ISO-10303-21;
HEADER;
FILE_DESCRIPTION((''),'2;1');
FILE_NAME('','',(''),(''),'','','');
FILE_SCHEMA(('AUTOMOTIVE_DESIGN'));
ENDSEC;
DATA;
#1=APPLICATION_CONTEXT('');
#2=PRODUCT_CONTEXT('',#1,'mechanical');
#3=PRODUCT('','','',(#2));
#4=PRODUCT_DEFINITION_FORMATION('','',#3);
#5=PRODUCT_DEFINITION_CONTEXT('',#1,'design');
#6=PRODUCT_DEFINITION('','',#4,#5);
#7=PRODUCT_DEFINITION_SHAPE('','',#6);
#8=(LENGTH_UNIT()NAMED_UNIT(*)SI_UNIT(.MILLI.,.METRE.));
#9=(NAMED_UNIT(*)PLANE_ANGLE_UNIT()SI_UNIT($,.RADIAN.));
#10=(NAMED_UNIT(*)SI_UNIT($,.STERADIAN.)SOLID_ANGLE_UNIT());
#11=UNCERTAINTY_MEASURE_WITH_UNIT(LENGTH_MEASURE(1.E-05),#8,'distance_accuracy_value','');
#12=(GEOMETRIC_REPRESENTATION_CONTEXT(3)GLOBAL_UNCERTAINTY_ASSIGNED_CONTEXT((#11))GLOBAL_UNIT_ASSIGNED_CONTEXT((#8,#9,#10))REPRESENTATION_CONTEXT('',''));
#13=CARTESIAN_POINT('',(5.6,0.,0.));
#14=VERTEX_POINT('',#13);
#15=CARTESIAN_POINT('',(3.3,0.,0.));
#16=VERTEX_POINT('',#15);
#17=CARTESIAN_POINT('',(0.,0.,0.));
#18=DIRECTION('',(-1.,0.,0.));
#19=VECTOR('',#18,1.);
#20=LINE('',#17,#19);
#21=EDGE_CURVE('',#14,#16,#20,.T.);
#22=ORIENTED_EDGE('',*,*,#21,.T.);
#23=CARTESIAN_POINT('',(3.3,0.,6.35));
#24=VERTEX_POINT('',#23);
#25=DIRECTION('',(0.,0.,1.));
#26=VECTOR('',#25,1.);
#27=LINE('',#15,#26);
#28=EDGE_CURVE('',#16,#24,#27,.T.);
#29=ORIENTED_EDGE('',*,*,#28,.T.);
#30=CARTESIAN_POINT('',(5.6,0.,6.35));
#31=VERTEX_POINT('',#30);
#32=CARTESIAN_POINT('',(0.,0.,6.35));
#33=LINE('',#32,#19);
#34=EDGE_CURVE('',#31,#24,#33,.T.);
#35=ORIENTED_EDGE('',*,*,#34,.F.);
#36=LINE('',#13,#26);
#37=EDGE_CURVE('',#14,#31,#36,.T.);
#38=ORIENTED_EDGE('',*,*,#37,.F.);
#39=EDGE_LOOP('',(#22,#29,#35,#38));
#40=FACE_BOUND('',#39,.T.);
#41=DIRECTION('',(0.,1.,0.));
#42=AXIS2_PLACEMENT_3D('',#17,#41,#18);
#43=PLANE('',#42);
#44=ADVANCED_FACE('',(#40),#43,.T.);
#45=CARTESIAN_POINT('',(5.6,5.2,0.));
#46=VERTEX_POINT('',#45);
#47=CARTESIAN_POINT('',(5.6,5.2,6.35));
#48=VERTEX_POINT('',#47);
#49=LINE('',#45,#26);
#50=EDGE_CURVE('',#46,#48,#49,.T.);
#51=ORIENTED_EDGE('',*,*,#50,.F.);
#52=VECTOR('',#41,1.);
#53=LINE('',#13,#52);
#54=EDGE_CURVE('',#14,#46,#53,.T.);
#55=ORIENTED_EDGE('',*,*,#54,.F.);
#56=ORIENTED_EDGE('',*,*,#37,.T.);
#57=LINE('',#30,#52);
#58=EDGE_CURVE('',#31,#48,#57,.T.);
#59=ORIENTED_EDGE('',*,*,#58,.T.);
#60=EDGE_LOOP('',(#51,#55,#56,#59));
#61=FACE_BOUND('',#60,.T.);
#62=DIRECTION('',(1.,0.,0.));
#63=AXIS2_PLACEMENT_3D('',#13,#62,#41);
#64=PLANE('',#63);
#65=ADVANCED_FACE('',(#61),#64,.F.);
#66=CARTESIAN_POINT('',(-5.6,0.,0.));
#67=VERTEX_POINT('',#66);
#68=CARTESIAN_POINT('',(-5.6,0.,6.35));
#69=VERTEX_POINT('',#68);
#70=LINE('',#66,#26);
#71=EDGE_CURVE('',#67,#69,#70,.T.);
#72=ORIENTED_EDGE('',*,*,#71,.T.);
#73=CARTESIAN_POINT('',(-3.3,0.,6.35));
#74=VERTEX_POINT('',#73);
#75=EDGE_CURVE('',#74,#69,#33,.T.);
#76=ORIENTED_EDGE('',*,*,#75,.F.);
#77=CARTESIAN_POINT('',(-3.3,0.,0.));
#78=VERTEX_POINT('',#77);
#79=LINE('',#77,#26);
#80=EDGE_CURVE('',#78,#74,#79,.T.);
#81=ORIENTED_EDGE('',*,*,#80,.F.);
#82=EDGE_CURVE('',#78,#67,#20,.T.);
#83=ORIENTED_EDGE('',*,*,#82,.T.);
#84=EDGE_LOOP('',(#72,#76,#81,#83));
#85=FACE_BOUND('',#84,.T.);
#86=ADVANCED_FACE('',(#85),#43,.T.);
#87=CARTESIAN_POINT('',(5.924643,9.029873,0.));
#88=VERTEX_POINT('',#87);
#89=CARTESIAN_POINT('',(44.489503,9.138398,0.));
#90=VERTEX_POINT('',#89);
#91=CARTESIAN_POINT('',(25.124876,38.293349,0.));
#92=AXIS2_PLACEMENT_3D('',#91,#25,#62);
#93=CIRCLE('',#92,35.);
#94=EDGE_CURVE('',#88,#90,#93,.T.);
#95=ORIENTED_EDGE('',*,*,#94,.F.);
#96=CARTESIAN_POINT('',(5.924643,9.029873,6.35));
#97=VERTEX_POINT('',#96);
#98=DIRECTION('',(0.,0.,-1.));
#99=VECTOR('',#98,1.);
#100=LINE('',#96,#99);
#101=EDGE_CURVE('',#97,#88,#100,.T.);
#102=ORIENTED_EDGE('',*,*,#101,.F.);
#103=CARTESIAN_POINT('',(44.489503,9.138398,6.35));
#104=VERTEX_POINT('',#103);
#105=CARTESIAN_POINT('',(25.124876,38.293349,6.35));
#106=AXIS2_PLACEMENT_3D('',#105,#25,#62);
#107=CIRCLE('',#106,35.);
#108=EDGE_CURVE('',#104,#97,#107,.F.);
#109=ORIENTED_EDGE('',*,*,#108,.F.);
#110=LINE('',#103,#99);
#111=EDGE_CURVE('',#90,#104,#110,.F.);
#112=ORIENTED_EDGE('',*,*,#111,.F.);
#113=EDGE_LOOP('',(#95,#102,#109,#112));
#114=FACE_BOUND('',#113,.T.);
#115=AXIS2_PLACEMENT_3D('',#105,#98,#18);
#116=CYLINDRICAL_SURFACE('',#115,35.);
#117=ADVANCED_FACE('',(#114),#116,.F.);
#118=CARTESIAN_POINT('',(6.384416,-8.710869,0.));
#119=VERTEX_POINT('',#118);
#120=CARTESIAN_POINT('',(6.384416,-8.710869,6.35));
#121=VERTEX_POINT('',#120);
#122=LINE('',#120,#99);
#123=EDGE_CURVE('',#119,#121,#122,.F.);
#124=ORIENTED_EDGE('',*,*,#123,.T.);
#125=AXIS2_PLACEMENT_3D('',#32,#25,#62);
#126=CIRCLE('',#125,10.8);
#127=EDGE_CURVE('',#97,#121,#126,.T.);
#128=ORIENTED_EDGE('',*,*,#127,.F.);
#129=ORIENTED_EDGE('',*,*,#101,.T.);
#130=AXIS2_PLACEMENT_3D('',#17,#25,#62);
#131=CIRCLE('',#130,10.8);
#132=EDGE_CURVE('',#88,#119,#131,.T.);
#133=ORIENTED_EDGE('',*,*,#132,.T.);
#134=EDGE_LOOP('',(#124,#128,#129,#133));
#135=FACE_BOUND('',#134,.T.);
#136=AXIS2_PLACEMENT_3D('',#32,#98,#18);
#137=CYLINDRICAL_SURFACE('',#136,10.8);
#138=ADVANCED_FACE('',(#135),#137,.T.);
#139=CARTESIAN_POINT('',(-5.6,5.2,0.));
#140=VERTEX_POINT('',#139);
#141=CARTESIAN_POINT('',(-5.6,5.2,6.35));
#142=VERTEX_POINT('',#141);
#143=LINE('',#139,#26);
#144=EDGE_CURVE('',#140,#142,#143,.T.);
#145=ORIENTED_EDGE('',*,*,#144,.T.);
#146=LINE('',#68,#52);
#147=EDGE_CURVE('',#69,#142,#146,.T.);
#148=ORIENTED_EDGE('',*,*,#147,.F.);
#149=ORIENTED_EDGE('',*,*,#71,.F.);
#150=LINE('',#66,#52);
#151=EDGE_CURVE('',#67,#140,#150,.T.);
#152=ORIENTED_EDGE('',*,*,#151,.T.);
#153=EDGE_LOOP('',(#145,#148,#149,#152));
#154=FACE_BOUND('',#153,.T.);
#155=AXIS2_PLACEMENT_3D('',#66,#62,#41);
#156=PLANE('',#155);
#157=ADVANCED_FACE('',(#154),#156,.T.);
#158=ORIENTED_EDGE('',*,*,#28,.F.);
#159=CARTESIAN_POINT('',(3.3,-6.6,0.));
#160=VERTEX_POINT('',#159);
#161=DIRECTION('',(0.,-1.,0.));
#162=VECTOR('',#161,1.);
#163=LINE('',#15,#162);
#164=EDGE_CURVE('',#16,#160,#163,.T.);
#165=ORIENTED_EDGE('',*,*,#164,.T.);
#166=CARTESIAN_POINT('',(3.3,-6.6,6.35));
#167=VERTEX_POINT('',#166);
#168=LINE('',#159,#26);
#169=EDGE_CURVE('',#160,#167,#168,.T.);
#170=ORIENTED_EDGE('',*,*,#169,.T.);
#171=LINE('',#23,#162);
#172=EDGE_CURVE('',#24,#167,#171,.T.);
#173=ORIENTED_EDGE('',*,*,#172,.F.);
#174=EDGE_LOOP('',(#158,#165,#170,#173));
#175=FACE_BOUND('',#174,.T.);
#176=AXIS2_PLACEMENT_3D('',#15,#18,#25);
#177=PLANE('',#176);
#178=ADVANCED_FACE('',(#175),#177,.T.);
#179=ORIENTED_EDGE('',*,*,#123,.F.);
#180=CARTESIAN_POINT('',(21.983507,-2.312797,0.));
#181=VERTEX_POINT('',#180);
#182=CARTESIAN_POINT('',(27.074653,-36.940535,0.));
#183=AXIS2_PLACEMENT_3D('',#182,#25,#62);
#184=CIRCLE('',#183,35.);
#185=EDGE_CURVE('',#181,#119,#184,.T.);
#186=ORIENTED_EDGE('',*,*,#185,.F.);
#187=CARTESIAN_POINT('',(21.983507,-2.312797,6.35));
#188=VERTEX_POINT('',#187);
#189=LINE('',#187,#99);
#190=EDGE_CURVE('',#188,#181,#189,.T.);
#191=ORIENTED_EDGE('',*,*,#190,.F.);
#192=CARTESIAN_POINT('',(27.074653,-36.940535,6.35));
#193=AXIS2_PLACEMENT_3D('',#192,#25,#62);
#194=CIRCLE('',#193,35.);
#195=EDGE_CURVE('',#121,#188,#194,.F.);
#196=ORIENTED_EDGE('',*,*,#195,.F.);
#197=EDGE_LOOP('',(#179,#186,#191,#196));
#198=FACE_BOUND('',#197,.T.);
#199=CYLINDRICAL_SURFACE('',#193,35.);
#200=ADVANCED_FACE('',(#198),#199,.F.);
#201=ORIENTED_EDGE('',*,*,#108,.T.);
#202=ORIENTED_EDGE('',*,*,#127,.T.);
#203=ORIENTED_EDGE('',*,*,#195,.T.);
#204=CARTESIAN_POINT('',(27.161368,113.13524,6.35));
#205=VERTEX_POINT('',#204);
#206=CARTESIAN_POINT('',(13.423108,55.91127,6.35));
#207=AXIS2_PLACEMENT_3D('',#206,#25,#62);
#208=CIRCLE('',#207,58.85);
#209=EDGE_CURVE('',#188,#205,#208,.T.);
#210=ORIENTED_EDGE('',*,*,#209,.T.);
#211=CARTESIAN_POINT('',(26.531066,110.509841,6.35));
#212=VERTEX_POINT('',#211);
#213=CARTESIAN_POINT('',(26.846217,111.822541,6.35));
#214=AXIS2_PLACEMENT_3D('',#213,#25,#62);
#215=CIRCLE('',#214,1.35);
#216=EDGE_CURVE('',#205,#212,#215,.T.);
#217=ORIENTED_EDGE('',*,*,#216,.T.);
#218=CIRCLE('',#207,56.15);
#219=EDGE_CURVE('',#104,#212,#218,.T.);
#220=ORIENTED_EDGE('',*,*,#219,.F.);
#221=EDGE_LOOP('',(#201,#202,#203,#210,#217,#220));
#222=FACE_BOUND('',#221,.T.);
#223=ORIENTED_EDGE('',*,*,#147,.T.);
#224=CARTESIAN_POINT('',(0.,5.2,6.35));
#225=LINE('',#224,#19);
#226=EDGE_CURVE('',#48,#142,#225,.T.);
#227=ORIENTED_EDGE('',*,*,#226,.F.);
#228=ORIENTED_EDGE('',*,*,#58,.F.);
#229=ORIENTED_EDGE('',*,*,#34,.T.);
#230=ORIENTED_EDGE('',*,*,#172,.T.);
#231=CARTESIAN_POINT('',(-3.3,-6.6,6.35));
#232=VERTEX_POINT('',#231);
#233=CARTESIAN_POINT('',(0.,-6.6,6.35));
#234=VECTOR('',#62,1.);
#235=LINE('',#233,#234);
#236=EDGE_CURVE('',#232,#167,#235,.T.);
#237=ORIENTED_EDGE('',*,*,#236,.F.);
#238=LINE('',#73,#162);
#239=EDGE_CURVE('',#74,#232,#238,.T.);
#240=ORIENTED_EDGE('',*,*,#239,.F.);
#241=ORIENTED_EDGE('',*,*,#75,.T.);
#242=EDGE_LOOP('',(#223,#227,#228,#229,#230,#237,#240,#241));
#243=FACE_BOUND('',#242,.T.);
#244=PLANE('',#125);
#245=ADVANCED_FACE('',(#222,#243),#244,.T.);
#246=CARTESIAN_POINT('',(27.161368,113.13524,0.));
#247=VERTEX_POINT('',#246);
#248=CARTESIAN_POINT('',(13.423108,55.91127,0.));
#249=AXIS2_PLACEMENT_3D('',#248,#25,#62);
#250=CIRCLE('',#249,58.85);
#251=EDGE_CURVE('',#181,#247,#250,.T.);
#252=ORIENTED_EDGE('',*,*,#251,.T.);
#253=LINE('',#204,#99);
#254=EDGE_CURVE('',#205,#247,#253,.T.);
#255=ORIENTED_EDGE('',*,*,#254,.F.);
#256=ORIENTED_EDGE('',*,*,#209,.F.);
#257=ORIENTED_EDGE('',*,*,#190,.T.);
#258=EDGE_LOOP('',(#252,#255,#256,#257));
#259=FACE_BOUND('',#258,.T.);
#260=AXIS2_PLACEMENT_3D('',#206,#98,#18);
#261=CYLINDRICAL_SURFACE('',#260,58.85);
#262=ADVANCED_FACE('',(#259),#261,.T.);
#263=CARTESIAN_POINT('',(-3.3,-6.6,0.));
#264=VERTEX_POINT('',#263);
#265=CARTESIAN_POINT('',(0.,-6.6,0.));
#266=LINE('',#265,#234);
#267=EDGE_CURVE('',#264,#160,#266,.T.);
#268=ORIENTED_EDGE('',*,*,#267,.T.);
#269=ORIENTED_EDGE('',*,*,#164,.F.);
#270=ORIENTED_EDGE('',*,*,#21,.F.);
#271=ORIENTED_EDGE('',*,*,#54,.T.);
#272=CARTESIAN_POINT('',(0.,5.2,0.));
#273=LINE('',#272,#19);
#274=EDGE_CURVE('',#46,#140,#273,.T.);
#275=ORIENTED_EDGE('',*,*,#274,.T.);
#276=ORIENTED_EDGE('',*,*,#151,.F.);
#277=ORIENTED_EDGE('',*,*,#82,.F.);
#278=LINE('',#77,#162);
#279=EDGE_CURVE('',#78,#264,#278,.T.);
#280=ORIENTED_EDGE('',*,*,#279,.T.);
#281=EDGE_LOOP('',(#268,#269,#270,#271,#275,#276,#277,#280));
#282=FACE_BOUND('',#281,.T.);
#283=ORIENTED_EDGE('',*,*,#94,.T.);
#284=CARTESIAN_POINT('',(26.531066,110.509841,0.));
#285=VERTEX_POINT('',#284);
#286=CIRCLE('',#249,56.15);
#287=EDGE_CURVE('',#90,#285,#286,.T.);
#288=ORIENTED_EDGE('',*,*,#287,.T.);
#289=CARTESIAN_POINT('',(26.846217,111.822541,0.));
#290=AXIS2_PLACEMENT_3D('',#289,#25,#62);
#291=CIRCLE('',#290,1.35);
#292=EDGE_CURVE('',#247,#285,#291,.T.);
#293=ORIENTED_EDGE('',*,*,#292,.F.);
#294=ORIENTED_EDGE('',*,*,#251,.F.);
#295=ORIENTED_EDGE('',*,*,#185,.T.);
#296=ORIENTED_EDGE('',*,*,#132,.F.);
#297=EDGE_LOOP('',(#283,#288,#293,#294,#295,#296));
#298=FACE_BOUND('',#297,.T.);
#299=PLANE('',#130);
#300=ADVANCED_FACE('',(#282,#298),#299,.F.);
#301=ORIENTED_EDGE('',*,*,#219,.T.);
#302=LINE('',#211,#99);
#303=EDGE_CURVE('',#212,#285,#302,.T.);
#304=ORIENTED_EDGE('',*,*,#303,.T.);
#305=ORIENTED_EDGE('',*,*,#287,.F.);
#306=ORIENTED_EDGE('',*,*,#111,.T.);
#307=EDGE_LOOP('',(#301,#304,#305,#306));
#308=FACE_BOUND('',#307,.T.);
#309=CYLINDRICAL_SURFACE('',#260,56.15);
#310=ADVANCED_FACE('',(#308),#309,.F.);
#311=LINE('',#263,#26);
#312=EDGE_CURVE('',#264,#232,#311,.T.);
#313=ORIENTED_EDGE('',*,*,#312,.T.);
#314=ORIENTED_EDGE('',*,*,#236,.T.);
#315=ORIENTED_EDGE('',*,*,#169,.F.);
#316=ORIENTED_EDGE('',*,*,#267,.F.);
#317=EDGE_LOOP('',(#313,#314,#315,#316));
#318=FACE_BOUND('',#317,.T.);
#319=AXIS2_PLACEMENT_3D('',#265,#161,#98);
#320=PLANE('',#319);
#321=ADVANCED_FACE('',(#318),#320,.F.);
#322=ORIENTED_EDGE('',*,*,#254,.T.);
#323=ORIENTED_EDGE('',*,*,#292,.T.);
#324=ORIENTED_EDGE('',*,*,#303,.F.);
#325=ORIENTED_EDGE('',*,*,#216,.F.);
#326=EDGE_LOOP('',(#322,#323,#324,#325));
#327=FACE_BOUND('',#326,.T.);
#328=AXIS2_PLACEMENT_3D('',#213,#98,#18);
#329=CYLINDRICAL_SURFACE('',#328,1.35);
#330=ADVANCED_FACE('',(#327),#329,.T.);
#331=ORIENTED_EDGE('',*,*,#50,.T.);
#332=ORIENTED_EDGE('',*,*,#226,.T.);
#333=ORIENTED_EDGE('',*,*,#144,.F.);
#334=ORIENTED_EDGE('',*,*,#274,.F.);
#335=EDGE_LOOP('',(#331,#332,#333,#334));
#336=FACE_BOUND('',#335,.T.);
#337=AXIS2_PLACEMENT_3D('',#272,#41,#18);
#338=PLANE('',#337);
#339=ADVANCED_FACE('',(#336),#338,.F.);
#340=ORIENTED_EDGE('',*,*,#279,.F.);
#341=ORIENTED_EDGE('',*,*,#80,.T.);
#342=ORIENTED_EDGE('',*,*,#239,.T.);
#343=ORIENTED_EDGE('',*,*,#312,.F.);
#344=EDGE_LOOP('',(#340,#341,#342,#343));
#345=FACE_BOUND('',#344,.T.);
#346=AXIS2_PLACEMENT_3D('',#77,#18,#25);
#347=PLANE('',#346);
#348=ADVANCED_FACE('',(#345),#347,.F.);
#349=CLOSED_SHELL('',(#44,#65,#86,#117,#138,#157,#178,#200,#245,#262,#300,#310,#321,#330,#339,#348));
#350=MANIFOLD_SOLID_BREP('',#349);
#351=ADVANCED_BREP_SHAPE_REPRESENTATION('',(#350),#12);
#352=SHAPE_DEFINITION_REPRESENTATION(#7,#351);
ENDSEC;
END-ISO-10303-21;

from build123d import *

# Parameters (mm, degrees)
BOSS_EXTRUDE2_DEPTH = 6.35
FILLET1_R           = 35
CUT_EXTRUDE1_DEPTH  = 135.431204491


with BuildPart() as part:
    # Sketch1 → Boss-Extrude2 (new body)
    with BuildSketch(Plane.XY):
        with BuildLine():
            ThreePointArc((10.798543624, -0.177357298), (-10.690836494, 1.531670676), (10.413952601, -2.861746185))
            ThreePointArc((10.413952601, -2.861746185), (71.669169509, 47.501819321), (27.161368085, 113.135240238))
            ThreePointArc((27.161368085, 113.135240238), (25.533517451, 112.137692087), (26.531065602, 110.509841453))
            ThreePointArc((26.531065602, 110.509841453), (69.014379057, 48.009806686), (10.798543624, -0.177357298))
        make_face()
    extrude(amount=BOSS_EXTRUDE2_DEPTH)

    # Fillet1
    fillet1_edges = [part.edges().sort_by_distance(p)[0] for p in [
        (10.413952601, -2.861746185, 3.175),
        (10.798543624, -0.177357298, 3.175),
    ]]
    fillet(fillet1_edges, radius=FILLET1_R)

    # Sketch2 → Cut-Extrude1 (cut, through all)
    with BuildSketch(Plane.XY.offset(6.35)):
        Polygon((-5.6, 0), (-3.3, 0), (-3.3, -6.6), (3.3, -6.6), (3.3, 0), (5.6, 0), (5.6, 5.2), (-5.6, 5.2), align=None)
    extrude(amount=-CUT_EXTRUDE1_DEPTH, mode=Mode.SUBTRACT)


solid = part.part
